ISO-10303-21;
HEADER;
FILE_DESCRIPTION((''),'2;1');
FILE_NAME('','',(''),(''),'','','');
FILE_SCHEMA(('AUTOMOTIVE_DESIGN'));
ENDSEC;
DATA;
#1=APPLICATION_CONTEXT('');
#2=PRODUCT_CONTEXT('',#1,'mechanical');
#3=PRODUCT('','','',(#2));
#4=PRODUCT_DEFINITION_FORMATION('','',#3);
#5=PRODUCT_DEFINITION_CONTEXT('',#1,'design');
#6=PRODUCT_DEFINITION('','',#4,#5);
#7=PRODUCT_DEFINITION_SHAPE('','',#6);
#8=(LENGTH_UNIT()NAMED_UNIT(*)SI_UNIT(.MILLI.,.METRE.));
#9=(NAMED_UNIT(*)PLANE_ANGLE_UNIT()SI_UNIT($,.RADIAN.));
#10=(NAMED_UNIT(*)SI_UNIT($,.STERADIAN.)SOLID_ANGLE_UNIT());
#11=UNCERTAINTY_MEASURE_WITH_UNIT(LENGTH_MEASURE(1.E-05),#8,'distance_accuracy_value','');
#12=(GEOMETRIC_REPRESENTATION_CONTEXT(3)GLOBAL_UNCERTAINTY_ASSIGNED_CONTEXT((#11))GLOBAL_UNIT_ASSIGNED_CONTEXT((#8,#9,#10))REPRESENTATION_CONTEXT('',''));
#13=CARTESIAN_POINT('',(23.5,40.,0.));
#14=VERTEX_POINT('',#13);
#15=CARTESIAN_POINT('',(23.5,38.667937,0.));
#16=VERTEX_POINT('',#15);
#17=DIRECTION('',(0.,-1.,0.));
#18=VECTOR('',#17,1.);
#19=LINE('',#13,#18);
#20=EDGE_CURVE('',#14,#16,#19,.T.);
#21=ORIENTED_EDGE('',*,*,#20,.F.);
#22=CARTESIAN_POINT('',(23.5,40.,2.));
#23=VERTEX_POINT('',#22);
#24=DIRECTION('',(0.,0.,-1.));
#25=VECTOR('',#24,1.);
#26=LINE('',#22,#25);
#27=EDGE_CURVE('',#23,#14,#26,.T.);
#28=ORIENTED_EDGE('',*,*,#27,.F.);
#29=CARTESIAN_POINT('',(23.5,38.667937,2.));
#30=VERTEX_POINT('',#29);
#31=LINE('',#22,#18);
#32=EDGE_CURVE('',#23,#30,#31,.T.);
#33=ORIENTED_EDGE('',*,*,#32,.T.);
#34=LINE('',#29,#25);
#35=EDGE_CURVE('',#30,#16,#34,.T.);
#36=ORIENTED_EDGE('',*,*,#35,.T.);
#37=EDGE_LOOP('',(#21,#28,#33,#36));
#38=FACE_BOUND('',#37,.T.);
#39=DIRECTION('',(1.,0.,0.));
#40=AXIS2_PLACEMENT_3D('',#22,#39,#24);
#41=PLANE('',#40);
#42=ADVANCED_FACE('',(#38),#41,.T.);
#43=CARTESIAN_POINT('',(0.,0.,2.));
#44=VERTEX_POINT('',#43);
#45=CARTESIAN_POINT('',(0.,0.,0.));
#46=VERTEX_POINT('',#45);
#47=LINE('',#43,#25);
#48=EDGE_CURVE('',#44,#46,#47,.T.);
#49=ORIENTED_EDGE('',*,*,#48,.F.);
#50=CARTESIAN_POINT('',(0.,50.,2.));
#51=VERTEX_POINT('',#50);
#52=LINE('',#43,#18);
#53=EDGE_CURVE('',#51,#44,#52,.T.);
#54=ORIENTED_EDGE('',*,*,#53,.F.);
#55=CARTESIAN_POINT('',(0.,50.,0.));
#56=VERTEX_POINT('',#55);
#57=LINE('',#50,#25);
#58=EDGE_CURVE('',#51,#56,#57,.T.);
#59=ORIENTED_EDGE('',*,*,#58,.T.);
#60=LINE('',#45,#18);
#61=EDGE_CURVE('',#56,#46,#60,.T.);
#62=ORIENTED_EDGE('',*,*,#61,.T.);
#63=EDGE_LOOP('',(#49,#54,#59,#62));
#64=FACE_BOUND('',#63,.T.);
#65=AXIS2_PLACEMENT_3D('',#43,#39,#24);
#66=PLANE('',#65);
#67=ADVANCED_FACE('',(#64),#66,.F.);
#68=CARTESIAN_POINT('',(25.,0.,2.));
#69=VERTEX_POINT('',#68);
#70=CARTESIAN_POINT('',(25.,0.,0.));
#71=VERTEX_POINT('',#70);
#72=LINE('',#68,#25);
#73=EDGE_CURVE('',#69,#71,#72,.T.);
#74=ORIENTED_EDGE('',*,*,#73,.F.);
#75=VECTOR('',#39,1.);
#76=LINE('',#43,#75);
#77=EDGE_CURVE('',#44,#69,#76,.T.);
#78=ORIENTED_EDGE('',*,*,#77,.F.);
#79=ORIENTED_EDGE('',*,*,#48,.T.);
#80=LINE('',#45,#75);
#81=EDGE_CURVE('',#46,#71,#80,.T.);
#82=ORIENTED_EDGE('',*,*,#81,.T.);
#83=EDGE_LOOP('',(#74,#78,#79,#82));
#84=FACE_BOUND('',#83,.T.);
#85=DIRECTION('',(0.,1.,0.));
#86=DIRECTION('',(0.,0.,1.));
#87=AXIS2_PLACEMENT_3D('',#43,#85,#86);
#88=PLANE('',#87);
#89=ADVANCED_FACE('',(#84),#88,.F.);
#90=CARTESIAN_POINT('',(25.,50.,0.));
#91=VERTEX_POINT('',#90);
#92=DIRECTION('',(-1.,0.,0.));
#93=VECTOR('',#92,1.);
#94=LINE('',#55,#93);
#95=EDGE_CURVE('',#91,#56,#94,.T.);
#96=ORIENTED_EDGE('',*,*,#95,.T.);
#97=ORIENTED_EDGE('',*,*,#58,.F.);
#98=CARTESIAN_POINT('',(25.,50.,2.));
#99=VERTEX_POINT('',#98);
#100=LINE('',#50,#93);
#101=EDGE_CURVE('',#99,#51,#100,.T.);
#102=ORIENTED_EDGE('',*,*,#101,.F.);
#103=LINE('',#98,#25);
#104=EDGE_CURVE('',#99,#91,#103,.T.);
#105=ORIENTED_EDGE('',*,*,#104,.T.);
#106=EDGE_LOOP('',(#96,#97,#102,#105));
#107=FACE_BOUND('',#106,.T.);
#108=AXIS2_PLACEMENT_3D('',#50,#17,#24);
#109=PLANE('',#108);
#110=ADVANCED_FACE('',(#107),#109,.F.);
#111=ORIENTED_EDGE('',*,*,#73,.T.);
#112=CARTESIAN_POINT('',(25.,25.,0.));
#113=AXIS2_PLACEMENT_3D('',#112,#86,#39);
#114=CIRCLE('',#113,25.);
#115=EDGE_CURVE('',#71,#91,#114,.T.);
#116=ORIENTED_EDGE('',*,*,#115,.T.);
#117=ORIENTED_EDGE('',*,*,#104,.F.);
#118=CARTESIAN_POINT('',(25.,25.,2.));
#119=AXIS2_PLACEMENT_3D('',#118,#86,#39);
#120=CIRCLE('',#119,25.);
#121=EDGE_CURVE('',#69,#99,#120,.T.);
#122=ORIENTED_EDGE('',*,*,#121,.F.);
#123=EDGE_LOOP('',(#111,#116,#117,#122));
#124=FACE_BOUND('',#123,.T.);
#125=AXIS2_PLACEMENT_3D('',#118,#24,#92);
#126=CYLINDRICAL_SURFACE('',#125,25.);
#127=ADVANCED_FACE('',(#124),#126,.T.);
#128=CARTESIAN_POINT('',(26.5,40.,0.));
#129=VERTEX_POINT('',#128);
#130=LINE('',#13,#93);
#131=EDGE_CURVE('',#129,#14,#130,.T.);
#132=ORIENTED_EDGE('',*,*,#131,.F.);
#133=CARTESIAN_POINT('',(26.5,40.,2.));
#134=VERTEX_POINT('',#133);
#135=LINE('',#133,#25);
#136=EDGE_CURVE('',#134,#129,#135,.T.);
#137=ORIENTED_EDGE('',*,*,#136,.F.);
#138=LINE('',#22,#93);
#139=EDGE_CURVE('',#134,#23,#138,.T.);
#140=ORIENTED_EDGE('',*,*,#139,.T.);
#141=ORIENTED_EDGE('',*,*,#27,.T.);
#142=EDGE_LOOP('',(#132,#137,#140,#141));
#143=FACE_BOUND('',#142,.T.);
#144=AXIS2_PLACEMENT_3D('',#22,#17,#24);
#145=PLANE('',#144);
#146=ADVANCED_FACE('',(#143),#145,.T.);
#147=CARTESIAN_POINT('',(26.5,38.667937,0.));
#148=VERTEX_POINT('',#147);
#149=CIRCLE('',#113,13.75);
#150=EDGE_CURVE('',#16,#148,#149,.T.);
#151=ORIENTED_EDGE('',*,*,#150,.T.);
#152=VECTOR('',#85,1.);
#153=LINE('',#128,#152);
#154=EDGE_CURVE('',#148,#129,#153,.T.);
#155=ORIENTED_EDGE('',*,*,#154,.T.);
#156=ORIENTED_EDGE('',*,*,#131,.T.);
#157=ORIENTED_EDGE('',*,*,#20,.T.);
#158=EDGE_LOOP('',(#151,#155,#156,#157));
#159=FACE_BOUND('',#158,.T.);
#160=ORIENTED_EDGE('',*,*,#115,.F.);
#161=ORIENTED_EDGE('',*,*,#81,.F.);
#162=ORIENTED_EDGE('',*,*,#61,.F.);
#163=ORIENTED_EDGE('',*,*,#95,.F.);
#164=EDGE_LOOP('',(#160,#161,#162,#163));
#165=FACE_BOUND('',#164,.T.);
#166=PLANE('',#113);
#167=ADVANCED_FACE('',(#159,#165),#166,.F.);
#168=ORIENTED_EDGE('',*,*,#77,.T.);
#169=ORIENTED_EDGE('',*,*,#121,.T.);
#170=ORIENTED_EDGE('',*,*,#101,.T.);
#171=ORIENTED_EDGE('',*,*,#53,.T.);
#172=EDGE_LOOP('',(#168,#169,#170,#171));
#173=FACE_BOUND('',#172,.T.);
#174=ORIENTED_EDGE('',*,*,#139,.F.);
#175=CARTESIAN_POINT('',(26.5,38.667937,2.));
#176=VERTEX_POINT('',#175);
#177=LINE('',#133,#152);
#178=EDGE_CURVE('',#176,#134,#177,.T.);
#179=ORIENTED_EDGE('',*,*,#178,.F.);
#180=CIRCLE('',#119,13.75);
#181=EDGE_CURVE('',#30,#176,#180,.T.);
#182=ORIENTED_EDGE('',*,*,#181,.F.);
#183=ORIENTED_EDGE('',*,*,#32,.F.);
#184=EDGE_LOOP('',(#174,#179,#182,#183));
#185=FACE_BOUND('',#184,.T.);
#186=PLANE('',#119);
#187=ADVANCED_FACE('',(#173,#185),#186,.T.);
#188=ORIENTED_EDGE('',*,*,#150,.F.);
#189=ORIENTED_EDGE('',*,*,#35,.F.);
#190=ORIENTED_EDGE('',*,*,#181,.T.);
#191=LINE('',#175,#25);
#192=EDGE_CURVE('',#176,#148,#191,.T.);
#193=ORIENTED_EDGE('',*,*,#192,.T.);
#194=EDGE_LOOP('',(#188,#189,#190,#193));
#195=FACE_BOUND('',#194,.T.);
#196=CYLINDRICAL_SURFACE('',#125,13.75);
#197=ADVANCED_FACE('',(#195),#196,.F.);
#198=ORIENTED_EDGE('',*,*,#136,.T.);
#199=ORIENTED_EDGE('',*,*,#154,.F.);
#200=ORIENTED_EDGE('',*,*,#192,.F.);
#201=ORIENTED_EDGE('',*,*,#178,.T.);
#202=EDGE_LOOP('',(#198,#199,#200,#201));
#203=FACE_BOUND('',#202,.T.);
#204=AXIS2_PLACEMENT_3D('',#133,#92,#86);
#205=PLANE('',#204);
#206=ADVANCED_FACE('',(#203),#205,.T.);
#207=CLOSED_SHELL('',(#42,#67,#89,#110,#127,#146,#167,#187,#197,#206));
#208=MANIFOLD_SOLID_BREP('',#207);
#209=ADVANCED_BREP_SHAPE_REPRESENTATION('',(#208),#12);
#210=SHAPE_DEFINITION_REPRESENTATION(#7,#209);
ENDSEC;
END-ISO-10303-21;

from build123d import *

# Parameters (mm, degrees)
BOSS_EXTRU_1_DEPTH = 2


with BuildPart() as part:
    # Esquisse1 → Boss.-Extru.1 (new body)
    with BuildSketch(Plane.XY):
        with BuildLine():
            Line((0, 0), (25, 0))
            ThreePointArc((25, 0), (50, 25), (25, 50))
            Line((25, 50), (0, 50))
            Line((0, 50), (0, 0))
        make_face()
        with BuildLine():
            Line((23.5, 40), (23.5, 38.667936933))
            ThreePointArc((23.5, 38.667936933), (25, 11.25), (26.5, 38.667936933))
            Line((26.5, 38.667936933), (26.5, 40))
            Line((26.5, 40), (23.5, 40))
        make_face(mode=Mode.SUBTRACT)
    extrude(amount=BOSS_EXTRU_1_DEPTH)


solid = part.part
